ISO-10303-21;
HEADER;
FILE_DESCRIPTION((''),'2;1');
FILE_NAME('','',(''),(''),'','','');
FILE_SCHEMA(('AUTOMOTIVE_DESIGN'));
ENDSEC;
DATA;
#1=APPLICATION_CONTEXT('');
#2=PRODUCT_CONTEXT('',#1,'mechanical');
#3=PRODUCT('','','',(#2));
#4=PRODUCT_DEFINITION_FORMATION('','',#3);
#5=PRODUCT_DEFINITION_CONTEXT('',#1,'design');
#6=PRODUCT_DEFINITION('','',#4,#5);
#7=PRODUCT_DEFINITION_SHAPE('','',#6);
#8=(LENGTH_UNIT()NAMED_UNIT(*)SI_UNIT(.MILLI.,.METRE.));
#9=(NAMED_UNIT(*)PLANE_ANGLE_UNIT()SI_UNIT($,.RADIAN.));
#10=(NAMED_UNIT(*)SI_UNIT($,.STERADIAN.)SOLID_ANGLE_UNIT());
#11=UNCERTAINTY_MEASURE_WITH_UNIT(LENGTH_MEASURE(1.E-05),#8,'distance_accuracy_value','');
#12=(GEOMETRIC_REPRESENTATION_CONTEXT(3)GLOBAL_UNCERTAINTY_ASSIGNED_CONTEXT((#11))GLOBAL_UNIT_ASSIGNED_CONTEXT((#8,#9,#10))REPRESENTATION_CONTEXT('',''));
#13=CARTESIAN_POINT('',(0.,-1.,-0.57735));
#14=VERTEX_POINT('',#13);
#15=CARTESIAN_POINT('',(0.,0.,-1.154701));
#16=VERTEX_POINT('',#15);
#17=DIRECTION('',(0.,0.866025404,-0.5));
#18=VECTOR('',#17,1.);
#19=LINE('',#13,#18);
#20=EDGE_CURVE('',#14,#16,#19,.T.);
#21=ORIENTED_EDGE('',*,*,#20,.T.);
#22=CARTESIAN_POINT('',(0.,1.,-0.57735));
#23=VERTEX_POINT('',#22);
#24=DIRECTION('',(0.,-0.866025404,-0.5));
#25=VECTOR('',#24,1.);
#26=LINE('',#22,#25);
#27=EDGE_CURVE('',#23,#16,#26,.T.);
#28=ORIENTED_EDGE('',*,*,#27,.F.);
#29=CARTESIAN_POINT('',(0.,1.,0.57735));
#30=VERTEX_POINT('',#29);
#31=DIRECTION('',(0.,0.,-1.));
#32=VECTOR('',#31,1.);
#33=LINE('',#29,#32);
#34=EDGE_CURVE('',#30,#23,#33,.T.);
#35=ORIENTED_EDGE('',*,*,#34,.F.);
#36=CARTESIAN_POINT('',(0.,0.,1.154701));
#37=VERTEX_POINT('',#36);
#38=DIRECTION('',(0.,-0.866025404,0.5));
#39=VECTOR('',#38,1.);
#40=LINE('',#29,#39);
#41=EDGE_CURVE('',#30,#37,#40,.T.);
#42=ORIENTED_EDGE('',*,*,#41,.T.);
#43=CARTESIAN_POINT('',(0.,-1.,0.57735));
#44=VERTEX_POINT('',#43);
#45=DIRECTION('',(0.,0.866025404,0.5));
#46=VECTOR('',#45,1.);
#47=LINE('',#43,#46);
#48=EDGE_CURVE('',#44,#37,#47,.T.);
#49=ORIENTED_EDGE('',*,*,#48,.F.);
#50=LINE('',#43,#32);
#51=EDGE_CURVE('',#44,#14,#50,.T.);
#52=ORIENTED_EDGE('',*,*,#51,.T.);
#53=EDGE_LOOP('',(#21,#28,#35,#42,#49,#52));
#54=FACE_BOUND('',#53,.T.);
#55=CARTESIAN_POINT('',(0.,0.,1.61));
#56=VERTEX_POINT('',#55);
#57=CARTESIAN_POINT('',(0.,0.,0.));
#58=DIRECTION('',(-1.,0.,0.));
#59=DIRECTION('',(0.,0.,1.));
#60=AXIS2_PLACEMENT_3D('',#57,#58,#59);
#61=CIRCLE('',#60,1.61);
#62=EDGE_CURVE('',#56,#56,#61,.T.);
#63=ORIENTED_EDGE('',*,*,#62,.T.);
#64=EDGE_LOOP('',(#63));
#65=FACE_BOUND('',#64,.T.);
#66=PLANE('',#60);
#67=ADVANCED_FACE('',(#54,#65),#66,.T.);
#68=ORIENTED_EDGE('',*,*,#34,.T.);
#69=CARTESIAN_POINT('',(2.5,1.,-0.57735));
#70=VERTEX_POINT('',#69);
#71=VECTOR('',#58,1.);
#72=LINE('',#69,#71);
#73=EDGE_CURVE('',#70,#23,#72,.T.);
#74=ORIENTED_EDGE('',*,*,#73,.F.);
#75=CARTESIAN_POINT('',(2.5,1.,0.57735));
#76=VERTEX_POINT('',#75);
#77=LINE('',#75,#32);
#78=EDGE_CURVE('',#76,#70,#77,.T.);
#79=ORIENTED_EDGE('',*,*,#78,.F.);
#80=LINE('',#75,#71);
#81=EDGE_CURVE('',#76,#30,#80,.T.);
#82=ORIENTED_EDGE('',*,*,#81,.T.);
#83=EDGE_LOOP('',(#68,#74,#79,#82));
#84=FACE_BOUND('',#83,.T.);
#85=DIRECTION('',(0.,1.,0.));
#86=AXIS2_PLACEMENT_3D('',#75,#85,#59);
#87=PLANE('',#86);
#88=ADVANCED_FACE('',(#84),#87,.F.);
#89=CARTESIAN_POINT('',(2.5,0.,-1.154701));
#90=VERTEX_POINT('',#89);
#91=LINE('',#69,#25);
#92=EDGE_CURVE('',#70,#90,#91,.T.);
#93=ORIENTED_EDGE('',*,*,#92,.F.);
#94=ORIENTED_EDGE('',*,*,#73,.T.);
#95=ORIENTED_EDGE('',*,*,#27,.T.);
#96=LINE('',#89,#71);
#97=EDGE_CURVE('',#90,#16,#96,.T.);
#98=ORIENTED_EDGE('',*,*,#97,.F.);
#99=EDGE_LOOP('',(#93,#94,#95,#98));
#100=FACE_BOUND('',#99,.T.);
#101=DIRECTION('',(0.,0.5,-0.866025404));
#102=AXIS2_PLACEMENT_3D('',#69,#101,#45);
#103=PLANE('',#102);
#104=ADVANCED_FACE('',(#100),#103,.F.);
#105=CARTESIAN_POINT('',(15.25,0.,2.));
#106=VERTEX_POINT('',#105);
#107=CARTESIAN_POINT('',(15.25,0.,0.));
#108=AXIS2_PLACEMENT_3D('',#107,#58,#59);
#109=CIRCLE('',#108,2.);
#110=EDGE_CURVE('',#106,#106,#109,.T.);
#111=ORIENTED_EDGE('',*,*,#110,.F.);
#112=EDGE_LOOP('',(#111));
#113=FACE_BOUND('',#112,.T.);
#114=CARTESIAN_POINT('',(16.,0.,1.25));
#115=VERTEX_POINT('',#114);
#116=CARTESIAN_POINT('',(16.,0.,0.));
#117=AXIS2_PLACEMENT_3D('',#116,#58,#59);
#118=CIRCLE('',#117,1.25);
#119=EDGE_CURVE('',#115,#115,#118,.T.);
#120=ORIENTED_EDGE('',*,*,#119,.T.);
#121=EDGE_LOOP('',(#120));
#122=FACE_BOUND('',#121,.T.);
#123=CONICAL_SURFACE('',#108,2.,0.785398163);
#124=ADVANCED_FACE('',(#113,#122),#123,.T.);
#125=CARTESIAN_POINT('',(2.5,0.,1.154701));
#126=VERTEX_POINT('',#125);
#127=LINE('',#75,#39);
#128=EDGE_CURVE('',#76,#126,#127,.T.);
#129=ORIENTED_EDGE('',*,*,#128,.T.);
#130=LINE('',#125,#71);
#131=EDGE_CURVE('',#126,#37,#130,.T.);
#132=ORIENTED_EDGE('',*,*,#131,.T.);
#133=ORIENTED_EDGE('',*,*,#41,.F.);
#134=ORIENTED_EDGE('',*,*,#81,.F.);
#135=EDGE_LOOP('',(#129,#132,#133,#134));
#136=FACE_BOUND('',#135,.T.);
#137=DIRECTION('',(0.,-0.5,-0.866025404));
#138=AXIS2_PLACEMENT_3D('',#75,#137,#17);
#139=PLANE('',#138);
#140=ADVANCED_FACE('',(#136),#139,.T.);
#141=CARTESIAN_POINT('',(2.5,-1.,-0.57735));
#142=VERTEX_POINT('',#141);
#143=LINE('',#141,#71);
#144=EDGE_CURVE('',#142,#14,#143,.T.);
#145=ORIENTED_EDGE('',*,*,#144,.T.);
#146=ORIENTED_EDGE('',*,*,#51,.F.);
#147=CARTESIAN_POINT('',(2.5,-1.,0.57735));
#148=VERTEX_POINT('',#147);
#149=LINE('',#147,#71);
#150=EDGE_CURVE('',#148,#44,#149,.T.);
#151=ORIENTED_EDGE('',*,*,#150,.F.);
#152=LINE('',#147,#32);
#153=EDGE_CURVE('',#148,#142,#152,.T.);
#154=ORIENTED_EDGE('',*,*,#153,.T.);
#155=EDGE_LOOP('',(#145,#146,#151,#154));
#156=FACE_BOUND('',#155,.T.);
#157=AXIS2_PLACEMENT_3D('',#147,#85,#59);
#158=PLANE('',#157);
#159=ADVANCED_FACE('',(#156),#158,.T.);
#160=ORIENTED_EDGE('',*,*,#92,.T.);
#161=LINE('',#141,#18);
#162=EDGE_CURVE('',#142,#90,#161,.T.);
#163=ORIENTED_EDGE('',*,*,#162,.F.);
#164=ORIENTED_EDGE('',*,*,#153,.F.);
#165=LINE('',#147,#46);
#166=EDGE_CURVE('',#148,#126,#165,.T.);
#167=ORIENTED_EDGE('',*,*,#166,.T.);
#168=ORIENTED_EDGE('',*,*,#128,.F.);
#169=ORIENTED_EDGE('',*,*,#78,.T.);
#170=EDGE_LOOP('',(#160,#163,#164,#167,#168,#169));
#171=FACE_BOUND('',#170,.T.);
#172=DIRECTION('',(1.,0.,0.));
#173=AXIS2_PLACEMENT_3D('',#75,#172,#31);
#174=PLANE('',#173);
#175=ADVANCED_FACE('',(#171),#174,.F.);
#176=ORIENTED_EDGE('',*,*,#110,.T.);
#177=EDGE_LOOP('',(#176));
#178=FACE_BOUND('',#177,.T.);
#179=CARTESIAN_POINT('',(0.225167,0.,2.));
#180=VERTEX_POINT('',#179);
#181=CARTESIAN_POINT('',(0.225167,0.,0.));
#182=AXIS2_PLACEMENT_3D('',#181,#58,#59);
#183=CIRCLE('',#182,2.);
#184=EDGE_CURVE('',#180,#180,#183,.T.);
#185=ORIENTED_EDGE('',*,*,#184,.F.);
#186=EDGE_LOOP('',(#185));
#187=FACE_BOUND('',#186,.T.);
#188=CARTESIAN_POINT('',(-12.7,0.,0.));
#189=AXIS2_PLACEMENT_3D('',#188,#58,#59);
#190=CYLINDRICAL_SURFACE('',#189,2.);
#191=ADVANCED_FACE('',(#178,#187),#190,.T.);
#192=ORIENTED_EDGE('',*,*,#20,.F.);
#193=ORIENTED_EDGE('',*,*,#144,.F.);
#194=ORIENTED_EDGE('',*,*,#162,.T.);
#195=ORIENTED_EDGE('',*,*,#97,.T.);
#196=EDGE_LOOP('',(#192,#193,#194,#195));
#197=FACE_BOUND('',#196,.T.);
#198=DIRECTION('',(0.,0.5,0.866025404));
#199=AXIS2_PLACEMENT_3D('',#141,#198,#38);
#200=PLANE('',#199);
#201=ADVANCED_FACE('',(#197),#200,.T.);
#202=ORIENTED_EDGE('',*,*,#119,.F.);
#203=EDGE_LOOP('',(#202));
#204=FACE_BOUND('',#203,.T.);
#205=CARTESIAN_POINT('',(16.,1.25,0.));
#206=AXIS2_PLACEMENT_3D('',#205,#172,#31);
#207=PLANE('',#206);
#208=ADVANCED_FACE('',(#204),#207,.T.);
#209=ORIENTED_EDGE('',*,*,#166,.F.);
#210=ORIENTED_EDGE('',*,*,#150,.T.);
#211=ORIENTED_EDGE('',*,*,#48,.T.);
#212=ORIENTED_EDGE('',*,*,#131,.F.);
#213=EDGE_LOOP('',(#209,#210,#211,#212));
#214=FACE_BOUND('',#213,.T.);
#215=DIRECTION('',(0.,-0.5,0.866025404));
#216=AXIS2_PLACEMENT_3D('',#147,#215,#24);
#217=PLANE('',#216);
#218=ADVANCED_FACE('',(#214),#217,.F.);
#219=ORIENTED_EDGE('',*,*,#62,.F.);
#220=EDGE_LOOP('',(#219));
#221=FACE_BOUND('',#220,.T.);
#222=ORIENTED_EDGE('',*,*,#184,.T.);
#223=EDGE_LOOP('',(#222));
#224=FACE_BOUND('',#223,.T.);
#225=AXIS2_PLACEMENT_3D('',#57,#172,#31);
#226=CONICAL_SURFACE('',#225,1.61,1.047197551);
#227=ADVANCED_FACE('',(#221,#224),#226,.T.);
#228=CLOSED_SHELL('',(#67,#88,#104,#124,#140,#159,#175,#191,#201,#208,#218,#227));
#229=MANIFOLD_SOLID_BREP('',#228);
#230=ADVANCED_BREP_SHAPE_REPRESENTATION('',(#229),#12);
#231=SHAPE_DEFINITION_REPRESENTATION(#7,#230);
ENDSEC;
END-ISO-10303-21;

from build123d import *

# Parameters (mm, degrees)
HEX_2_DEPTH = 2.5


with BuildPart() as part:
    # BodySke → BaseBody (revolve)
    with BuildSketch(Plane.XY, mode=Mode.PRIVATE) as basebody_sk:
        Polygon((0, 0), (0, 1.61), (0.225166605, 2), (15.25, 2), (16, 1.25), (16, 0), align=None)
    revolve(basebody_sk.sketch.rotate(Axis((-12.7, 0, 0), (1, 0, 0)), 90), axis=Axis((-12.7, 0, 0), (1, 0, 0)))  # turned: the seam where the file's is

    # Sketch2 → Hex 2 (cut)
    with BuildSketch(Plane.ZY):
        Polygon((0.577350269, 1), (-0.577350269, 1), (-1.154700538, 0), (-0.577350269, -1), (0.577350269, -1), (1.154700538, 0), align=None)
    extrude(amount=-HEX_2_DEPTH, mode=Mode.SUBTRACT)


solid = part.part
